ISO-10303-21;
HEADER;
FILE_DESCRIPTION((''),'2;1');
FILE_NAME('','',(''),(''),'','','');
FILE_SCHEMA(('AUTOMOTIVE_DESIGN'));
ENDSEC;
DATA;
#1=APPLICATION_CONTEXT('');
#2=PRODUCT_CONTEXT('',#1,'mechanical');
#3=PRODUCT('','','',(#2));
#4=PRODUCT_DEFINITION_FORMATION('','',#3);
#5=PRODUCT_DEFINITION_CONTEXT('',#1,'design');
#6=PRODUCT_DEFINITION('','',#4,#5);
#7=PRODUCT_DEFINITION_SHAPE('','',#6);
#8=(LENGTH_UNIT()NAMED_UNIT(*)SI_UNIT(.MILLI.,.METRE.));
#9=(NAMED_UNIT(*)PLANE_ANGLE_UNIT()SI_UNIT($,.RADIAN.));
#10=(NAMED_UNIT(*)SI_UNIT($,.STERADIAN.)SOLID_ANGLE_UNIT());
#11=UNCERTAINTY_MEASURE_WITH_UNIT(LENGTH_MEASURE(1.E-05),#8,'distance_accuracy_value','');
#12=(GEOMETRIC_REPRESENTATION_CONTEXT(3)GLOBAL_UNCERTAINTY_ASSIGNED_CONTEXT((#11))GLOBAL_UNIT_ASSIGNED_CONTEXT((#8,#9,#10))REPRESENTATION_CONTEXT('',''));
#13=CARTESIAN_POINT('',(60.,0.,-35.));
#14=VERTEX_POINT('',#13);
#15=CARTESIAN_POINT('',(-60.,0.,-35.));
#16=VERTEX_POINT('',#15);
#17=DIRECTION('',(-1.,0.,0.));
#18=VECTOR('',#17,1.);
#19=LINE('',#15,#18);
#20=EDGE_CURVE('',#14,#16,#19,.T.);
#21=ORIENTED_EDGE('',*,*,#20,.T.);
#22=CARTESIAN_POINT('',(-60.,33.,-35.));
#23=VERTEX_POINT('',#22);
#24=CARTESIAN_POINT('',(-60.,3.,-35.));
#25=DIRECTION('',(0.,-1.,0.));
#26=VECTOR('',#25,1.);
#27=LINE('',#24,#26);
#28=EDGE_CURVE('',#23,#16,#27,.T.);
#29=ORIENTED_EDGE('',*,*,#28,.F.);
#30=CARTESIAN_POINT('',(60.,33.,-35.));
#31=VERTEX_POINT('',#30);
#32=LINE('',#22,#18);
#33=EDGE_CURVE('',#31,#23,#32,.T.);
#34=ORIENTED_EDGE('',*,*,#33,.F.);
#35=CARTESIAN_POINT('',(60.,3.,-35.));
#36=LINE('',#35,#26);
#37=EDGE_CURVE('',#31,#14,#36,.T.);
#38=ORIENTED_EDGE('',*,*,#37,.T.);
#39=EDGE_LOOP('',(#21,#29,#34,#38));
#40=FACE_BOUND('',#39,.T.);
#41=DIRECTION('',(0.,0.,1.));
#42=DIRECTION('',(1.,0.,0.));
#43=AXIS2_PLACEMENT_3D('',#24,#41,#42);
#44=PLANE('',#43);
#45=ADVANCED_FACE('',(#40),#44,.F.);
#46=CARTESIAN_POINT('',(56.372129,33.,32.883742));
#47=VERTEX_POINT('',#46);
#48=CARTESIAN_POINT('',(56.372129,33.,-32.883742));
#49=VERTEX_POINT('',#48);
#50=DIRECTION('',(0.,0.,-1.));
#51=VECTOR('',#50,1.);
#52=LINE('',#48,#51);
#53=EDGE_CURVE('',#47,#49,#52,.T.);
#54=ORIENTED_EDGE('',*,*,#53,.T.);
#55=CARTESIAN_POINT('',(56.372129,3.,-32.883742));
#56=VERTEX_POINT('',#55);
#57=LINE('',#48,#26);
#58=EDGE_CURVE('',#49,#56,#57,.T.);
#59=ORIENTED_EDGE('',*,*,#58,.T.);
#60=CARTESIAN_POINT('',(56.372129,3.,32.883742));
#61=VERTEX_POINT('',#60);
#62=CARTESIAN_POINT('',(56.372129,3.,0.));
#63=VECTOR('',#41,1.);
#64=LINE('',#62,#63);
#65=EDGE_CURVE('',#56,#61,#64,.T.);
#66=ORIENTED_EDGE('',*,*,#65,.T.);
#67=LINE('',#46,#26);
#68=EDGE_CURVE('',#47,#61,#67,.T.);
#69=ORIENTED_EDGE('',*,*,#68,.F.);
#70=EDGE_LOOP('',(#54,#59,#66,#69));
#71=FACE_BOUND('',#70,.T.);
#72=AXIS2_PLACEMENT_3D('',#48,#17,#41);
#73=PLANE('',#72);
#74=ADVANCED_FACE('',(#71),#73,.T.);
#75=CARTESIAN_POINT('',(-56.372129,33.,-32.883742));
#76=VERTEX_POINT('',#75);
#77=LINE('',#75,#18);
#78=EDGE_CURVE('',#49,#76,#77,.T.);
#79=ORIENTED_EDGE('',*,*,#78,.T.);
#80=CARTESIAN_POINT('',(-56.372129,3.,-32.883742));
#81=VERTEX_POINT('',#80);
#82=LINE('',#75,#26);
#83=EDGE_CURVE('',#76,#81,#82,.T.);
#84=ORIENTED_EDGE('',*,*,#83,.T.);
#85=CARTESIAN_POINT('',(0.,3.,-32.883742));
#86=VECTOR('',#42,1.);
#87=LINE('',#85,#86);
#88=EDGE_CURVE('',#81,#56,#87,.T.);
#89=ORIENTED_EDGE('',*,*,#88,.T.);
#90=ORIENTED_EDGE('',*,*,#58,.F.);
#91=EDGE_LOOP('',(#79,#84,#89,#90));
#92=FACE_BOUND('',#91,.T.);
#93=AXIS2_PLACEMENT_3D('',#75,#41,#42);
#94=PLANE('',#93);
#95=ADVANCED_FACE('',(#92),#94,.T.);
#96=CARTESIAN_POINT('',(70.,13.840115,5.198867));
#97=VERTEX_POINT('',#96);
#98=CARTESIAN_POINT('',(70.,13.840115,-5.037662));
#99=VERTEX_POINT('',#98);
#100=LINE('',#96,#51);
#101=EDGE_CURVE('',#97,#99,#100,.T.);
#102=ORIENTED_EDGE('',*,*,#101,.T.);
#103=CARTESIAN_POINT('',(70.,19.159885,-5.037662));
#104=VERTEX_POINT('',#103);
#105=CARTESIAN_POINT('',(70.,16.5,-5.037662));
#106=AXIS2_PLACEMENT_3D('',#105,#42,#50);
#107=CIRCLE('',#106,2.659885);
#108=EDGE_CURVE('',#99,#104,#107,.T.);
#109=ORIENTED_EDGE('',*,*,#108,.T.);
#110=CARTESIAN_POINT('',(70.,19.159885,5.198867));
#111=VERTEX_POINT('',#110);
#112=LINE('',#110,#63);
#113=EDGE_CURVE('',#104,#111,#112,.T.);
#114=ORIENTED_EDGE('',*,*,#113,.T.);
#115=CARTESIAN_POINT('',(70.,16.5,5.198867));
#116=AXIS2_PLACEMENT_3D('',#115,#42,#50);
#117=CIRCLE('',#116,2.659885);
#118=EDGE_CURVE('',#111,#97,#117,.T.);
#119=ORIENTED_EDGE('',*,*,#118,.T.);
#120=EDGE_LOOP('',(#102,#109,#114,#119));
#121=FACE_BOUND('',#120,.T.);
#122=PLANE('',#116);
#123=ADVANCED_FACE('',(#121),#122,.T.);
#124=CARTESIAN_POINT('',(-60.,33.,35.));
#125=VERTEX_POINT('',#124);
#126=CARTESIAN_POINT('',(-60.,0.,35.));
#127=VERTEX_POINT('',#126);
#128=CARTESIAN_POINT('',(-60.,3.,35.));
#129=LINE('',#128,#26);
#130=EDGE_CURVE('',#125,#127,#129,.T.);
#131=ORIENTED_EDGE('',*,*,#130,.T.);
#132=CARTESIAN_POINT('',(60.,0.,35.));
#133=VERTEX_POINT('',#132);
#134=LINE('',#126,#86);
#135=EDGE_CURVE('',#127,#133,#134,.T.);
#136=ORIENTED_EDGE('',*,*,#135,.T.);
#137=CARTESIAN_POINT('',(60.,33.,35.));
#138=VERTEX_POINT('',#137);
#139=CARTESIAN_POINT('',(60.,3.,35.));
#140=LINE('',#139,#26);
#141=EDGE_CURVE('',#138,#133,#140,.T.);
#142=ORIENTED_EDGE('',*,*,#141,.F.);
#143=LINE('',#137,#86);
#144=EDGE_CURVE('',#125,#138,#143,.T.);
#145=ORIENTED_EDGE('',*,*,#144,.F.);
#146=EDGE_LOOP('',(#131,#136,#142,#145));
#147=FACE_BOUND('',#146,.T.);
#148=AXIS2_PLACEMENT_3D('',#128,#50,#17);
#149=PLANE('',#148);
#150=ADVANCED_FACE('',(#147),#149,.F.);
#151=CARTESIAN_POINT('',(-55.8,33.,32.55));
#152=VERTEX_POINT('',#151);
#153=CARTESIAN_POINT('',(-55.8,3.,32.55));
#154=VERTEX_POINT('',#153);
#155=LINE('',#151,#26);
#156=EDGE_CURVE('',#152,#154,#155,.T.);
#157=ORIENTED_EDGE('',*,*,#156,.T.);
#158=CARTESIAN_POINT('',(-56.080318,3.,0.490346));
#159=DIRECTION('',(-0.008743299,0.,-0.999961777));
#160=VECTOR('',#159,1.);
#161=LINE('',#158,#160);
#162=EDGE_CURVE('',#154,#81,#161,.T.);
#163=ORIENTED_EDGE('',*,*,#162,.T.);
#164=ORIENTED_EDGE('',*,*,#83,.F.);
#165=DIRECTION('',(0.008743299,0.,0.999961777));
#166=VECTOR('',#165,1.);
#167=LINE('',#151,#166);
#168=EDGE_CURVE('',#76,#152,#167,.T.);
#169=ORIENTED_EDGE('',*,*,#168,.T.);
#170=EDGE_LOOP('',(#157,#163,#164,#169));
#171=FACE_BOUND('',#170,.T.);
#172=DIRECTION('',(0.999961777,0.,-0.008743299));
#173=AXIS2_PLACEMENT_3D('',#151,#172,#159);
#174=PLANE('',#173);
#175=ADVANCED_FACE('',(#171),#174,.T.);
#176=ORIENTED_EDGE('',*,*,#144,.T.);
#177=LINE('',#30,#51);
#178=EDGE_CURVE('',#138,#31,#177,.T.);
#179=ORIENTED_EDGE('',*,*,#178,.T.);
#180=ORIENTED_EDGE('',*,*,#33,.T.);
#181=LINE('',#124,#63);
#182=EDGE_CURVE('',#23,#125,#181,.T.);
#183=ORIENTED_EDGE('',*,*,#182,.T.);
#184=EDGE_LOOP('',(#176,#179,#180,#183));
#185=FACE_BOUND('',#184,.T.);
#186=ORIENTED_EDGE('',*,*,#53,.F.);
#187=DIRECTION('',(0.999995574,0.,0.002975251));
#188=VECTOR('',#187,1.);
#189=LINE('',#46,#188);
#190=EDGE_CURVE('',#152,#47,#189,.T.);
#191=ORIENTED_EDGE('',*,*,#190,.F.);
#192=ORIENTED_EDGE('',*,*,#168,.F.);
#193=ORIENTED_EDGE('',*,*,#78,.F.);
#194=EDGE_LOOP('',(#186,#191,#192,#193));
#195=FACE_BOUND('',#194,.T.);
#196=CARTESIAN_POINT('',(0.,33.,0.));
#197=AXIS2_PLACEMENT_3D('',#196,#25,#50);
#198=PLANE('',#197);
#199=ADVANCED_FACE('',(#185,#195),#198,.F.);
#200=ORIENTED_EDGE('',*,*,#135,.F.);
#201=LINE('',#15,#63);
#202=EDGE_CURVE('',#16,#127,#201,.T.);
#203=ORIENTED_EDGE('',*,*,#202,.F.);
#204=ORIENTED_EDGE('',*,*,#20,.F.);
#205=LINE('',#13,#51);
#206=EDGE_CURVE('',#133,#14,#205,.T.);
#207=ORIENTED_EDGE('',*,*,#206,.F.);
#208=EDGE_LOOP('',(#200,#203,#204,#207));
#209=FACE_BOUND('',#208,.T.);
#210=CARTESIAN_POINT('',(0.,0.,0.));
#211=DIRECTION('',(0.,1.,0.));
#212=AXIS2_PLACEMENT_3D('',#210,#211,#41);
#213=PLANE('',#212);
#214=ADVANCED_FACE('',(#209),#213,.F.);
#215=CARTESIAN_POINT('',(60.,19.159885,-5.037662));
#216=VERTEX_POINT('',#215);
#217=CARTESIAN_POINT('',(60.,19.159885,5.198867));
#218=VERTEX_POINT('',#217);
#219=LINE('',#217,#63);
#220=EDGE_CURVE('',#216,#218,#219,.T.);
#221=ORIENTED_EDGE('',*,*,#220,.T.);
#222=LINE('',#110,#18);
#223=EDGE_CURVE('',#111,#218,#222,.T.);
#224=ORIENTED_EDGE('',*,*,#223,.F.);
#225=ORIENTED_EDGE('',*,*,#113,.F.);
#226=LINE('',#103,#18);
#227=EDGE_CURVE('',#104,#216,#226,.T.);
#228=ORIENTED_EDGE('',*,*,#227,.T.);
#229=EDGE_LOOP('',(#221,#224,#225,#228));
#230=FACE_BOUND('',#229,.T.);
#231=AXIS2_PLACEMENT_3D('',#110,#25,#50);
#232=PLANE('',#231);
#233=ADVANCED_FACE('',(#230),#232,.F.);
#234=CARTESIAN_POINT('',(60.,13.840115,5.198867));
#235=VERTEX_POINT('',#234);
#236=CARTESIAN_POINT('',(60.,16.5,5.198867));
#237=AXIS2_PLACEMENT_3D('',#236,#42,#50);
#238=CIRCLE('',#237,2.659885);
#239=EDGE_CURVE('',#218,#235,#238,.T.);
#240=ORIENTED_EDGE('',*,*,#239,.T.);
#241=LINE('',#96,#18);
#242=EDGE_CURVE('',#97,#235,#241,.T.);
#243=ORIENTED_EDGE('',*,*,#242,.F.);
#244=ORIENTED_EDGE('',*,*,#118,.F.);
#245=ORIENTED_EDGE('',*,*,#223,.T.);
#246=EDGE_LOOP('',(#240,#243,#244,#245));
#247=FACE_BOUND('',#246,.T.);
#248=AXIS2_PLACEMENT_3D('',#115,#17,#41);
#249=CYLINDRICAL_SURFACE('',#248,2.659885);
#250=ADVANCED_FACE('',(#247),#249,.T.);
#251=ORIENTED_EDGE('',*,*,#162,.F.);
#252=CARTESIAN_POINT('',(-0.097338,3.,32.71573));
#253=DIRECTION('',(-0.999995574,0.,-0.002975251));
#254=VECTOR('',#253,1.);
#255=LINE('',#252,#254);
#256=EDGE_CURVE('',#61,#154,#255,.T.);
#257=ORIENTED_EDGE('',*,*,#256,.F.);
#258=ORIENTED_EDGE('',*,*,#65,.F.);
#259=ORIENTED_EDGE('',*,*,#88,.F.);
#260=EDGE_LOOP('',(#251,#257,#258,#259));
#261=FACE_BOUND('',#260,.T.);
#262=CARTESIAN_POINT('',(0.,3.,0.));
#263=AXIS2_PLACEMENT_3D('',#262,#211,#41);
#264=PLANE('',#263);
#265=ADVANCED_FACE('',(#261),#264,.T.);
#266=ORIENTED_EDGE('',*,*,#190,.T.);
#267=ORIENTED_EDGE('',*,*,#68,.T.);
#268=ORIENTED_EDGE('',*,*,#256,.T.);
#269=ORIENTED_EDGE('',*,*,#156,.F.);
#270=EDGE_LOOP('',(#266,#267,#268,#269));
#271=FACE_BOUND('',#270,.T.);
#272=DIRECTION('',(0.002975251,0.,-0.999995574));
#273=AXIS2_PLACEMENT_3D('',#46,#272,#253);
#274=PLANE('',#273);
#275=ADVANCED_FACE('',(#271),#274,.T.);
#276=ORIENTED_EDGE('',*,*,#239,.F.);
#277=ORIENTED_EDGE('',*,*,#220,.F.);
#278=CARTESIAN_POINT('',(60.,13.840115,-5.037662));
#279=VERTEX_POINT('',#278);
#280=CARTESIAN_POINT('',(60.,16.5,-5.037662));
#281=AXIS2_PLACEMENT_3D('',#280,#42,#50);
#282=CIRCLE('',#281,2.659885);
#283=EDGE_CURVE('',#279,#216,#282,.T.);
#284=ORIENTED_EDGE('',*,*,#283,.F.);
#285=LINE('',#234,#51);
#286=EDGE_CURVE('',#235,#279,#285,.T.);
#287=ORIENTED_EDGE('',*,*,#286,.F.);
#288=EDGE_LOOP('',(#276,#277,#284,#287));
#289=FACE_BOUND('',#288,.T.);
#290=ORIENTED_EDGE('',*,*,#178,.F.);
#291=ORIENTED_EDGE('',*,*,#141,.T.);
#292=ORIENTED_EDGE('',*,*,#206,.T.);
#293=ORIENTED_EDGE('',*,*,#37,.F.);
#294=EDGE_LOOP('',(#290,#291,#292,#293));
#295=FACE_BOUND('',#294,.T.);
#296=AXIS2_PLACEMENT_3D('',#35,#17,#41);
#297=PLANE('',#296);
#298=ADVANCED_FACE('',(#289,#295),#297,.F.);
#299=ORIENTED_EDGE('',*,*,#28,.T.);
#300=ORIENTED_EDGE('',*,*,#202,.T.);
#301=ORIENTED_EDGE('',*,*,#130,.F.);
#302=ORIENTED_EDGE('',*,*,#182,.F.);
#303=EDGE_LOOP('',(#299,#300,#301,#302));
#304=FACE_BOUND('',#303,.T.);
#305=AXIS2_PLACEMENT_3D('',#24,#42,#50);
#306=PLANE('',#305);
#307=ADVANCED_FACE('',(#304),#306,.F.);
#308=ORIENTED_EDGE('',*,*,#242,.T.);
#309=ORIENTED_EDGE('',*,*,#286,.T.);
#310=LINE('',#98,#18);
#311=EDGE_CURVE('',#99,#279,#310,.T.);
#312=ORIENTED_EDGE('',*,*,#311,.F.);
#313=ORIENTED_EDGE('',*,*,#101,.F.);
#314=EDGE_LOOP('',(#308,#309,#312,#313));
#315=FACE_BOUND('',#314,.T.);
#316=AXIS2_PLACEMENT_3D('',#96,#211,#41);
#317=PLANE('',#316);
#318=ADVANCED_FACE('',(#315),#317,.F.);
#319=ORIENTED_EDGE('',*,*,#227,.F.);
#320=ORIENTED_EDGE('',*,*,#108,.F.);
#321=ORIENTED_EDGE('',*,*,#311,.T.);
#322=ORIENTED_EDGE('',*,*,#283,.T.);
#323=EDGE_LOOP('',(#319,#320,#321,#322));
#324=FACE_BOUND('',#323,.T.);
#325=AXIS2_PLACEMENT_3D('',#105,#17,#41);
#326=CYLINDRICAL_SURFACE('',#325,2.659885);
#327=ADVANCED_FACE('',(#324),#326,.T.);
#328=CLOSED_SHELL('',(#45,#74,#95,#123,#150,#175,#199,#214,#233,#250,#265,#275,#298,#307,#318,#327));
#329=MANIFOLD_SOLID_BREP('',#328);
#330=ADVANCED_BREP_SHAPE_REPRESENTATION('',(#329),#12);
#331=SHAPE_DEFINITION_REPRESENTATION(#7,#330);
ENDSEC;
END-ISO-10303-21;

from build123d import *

# Parameters (mm, degrees)
SKETCH_1_W      = 120
SKETCH_1_H      = 70
EXTRUDE_1_DEPTH = 3
SKETCH_3_W      = 120
SKETCH_3_H      = 70
EXTRUDE_2_DEPTH = 33
EXTRUDE_3_DEPTH = 10


with BuildPart() as part:
    # 草图1 → 凸台-拉伸1 (new body)
    with BuildSketch(Plane(origin=(0, 0, 0), x_dir=(1, 0, 0), z_dir=(0, 1, 0))):
        Rectangle(SKETCH_1_W, SKETCH_1_H)
    extrude(amount=EXTRUDE_1_DEPTH)

    # 草图3 → 凸台-拉伸2 (add)
    with BuildSketch(Plane(origin=(0, 0, 0), x_dir=(1, 0, 0), z_dir=(0, 1, 0))):
        Rectangle(SKETCH_3_W, SKETCH_3_H)
        Polygon((-56.372128616, 32.883741693), (56.372128616, 32.883741693), (56.372128616, -32.883741693), (-55.8, -32.55), align=None, mode=Mode.SUBTRACT)
    extrude(amount=EXTRUDE_2_DEPTH)

    # 草图4 → 凸台-拉伸3 (add)
    with BuildSketch(Plane(origin=(60, 0, 0), x_dir=(0, 0, -1), z_dir=(1, 0, 0))):
        with BuildLine():
            Line((-5.198866843, 19.159885362), (5.03766167, 19.159885362))
            ThreePointArc((5.03766167, 19.159885362), (7.697547031, 16.5), (5.03766167, 13.840114638))
            Line((5.03766167, 13.840114638), (-5.198866843, 13.840114638))
            ThreePointArc((-5.198866843, 13.840114638), (-7.858752205, 16.5), (-5.198866843, 19.159885362))
        make_face()
    extrude(amount=EXTRUDE_3_DEPTH)


solid = part.part
